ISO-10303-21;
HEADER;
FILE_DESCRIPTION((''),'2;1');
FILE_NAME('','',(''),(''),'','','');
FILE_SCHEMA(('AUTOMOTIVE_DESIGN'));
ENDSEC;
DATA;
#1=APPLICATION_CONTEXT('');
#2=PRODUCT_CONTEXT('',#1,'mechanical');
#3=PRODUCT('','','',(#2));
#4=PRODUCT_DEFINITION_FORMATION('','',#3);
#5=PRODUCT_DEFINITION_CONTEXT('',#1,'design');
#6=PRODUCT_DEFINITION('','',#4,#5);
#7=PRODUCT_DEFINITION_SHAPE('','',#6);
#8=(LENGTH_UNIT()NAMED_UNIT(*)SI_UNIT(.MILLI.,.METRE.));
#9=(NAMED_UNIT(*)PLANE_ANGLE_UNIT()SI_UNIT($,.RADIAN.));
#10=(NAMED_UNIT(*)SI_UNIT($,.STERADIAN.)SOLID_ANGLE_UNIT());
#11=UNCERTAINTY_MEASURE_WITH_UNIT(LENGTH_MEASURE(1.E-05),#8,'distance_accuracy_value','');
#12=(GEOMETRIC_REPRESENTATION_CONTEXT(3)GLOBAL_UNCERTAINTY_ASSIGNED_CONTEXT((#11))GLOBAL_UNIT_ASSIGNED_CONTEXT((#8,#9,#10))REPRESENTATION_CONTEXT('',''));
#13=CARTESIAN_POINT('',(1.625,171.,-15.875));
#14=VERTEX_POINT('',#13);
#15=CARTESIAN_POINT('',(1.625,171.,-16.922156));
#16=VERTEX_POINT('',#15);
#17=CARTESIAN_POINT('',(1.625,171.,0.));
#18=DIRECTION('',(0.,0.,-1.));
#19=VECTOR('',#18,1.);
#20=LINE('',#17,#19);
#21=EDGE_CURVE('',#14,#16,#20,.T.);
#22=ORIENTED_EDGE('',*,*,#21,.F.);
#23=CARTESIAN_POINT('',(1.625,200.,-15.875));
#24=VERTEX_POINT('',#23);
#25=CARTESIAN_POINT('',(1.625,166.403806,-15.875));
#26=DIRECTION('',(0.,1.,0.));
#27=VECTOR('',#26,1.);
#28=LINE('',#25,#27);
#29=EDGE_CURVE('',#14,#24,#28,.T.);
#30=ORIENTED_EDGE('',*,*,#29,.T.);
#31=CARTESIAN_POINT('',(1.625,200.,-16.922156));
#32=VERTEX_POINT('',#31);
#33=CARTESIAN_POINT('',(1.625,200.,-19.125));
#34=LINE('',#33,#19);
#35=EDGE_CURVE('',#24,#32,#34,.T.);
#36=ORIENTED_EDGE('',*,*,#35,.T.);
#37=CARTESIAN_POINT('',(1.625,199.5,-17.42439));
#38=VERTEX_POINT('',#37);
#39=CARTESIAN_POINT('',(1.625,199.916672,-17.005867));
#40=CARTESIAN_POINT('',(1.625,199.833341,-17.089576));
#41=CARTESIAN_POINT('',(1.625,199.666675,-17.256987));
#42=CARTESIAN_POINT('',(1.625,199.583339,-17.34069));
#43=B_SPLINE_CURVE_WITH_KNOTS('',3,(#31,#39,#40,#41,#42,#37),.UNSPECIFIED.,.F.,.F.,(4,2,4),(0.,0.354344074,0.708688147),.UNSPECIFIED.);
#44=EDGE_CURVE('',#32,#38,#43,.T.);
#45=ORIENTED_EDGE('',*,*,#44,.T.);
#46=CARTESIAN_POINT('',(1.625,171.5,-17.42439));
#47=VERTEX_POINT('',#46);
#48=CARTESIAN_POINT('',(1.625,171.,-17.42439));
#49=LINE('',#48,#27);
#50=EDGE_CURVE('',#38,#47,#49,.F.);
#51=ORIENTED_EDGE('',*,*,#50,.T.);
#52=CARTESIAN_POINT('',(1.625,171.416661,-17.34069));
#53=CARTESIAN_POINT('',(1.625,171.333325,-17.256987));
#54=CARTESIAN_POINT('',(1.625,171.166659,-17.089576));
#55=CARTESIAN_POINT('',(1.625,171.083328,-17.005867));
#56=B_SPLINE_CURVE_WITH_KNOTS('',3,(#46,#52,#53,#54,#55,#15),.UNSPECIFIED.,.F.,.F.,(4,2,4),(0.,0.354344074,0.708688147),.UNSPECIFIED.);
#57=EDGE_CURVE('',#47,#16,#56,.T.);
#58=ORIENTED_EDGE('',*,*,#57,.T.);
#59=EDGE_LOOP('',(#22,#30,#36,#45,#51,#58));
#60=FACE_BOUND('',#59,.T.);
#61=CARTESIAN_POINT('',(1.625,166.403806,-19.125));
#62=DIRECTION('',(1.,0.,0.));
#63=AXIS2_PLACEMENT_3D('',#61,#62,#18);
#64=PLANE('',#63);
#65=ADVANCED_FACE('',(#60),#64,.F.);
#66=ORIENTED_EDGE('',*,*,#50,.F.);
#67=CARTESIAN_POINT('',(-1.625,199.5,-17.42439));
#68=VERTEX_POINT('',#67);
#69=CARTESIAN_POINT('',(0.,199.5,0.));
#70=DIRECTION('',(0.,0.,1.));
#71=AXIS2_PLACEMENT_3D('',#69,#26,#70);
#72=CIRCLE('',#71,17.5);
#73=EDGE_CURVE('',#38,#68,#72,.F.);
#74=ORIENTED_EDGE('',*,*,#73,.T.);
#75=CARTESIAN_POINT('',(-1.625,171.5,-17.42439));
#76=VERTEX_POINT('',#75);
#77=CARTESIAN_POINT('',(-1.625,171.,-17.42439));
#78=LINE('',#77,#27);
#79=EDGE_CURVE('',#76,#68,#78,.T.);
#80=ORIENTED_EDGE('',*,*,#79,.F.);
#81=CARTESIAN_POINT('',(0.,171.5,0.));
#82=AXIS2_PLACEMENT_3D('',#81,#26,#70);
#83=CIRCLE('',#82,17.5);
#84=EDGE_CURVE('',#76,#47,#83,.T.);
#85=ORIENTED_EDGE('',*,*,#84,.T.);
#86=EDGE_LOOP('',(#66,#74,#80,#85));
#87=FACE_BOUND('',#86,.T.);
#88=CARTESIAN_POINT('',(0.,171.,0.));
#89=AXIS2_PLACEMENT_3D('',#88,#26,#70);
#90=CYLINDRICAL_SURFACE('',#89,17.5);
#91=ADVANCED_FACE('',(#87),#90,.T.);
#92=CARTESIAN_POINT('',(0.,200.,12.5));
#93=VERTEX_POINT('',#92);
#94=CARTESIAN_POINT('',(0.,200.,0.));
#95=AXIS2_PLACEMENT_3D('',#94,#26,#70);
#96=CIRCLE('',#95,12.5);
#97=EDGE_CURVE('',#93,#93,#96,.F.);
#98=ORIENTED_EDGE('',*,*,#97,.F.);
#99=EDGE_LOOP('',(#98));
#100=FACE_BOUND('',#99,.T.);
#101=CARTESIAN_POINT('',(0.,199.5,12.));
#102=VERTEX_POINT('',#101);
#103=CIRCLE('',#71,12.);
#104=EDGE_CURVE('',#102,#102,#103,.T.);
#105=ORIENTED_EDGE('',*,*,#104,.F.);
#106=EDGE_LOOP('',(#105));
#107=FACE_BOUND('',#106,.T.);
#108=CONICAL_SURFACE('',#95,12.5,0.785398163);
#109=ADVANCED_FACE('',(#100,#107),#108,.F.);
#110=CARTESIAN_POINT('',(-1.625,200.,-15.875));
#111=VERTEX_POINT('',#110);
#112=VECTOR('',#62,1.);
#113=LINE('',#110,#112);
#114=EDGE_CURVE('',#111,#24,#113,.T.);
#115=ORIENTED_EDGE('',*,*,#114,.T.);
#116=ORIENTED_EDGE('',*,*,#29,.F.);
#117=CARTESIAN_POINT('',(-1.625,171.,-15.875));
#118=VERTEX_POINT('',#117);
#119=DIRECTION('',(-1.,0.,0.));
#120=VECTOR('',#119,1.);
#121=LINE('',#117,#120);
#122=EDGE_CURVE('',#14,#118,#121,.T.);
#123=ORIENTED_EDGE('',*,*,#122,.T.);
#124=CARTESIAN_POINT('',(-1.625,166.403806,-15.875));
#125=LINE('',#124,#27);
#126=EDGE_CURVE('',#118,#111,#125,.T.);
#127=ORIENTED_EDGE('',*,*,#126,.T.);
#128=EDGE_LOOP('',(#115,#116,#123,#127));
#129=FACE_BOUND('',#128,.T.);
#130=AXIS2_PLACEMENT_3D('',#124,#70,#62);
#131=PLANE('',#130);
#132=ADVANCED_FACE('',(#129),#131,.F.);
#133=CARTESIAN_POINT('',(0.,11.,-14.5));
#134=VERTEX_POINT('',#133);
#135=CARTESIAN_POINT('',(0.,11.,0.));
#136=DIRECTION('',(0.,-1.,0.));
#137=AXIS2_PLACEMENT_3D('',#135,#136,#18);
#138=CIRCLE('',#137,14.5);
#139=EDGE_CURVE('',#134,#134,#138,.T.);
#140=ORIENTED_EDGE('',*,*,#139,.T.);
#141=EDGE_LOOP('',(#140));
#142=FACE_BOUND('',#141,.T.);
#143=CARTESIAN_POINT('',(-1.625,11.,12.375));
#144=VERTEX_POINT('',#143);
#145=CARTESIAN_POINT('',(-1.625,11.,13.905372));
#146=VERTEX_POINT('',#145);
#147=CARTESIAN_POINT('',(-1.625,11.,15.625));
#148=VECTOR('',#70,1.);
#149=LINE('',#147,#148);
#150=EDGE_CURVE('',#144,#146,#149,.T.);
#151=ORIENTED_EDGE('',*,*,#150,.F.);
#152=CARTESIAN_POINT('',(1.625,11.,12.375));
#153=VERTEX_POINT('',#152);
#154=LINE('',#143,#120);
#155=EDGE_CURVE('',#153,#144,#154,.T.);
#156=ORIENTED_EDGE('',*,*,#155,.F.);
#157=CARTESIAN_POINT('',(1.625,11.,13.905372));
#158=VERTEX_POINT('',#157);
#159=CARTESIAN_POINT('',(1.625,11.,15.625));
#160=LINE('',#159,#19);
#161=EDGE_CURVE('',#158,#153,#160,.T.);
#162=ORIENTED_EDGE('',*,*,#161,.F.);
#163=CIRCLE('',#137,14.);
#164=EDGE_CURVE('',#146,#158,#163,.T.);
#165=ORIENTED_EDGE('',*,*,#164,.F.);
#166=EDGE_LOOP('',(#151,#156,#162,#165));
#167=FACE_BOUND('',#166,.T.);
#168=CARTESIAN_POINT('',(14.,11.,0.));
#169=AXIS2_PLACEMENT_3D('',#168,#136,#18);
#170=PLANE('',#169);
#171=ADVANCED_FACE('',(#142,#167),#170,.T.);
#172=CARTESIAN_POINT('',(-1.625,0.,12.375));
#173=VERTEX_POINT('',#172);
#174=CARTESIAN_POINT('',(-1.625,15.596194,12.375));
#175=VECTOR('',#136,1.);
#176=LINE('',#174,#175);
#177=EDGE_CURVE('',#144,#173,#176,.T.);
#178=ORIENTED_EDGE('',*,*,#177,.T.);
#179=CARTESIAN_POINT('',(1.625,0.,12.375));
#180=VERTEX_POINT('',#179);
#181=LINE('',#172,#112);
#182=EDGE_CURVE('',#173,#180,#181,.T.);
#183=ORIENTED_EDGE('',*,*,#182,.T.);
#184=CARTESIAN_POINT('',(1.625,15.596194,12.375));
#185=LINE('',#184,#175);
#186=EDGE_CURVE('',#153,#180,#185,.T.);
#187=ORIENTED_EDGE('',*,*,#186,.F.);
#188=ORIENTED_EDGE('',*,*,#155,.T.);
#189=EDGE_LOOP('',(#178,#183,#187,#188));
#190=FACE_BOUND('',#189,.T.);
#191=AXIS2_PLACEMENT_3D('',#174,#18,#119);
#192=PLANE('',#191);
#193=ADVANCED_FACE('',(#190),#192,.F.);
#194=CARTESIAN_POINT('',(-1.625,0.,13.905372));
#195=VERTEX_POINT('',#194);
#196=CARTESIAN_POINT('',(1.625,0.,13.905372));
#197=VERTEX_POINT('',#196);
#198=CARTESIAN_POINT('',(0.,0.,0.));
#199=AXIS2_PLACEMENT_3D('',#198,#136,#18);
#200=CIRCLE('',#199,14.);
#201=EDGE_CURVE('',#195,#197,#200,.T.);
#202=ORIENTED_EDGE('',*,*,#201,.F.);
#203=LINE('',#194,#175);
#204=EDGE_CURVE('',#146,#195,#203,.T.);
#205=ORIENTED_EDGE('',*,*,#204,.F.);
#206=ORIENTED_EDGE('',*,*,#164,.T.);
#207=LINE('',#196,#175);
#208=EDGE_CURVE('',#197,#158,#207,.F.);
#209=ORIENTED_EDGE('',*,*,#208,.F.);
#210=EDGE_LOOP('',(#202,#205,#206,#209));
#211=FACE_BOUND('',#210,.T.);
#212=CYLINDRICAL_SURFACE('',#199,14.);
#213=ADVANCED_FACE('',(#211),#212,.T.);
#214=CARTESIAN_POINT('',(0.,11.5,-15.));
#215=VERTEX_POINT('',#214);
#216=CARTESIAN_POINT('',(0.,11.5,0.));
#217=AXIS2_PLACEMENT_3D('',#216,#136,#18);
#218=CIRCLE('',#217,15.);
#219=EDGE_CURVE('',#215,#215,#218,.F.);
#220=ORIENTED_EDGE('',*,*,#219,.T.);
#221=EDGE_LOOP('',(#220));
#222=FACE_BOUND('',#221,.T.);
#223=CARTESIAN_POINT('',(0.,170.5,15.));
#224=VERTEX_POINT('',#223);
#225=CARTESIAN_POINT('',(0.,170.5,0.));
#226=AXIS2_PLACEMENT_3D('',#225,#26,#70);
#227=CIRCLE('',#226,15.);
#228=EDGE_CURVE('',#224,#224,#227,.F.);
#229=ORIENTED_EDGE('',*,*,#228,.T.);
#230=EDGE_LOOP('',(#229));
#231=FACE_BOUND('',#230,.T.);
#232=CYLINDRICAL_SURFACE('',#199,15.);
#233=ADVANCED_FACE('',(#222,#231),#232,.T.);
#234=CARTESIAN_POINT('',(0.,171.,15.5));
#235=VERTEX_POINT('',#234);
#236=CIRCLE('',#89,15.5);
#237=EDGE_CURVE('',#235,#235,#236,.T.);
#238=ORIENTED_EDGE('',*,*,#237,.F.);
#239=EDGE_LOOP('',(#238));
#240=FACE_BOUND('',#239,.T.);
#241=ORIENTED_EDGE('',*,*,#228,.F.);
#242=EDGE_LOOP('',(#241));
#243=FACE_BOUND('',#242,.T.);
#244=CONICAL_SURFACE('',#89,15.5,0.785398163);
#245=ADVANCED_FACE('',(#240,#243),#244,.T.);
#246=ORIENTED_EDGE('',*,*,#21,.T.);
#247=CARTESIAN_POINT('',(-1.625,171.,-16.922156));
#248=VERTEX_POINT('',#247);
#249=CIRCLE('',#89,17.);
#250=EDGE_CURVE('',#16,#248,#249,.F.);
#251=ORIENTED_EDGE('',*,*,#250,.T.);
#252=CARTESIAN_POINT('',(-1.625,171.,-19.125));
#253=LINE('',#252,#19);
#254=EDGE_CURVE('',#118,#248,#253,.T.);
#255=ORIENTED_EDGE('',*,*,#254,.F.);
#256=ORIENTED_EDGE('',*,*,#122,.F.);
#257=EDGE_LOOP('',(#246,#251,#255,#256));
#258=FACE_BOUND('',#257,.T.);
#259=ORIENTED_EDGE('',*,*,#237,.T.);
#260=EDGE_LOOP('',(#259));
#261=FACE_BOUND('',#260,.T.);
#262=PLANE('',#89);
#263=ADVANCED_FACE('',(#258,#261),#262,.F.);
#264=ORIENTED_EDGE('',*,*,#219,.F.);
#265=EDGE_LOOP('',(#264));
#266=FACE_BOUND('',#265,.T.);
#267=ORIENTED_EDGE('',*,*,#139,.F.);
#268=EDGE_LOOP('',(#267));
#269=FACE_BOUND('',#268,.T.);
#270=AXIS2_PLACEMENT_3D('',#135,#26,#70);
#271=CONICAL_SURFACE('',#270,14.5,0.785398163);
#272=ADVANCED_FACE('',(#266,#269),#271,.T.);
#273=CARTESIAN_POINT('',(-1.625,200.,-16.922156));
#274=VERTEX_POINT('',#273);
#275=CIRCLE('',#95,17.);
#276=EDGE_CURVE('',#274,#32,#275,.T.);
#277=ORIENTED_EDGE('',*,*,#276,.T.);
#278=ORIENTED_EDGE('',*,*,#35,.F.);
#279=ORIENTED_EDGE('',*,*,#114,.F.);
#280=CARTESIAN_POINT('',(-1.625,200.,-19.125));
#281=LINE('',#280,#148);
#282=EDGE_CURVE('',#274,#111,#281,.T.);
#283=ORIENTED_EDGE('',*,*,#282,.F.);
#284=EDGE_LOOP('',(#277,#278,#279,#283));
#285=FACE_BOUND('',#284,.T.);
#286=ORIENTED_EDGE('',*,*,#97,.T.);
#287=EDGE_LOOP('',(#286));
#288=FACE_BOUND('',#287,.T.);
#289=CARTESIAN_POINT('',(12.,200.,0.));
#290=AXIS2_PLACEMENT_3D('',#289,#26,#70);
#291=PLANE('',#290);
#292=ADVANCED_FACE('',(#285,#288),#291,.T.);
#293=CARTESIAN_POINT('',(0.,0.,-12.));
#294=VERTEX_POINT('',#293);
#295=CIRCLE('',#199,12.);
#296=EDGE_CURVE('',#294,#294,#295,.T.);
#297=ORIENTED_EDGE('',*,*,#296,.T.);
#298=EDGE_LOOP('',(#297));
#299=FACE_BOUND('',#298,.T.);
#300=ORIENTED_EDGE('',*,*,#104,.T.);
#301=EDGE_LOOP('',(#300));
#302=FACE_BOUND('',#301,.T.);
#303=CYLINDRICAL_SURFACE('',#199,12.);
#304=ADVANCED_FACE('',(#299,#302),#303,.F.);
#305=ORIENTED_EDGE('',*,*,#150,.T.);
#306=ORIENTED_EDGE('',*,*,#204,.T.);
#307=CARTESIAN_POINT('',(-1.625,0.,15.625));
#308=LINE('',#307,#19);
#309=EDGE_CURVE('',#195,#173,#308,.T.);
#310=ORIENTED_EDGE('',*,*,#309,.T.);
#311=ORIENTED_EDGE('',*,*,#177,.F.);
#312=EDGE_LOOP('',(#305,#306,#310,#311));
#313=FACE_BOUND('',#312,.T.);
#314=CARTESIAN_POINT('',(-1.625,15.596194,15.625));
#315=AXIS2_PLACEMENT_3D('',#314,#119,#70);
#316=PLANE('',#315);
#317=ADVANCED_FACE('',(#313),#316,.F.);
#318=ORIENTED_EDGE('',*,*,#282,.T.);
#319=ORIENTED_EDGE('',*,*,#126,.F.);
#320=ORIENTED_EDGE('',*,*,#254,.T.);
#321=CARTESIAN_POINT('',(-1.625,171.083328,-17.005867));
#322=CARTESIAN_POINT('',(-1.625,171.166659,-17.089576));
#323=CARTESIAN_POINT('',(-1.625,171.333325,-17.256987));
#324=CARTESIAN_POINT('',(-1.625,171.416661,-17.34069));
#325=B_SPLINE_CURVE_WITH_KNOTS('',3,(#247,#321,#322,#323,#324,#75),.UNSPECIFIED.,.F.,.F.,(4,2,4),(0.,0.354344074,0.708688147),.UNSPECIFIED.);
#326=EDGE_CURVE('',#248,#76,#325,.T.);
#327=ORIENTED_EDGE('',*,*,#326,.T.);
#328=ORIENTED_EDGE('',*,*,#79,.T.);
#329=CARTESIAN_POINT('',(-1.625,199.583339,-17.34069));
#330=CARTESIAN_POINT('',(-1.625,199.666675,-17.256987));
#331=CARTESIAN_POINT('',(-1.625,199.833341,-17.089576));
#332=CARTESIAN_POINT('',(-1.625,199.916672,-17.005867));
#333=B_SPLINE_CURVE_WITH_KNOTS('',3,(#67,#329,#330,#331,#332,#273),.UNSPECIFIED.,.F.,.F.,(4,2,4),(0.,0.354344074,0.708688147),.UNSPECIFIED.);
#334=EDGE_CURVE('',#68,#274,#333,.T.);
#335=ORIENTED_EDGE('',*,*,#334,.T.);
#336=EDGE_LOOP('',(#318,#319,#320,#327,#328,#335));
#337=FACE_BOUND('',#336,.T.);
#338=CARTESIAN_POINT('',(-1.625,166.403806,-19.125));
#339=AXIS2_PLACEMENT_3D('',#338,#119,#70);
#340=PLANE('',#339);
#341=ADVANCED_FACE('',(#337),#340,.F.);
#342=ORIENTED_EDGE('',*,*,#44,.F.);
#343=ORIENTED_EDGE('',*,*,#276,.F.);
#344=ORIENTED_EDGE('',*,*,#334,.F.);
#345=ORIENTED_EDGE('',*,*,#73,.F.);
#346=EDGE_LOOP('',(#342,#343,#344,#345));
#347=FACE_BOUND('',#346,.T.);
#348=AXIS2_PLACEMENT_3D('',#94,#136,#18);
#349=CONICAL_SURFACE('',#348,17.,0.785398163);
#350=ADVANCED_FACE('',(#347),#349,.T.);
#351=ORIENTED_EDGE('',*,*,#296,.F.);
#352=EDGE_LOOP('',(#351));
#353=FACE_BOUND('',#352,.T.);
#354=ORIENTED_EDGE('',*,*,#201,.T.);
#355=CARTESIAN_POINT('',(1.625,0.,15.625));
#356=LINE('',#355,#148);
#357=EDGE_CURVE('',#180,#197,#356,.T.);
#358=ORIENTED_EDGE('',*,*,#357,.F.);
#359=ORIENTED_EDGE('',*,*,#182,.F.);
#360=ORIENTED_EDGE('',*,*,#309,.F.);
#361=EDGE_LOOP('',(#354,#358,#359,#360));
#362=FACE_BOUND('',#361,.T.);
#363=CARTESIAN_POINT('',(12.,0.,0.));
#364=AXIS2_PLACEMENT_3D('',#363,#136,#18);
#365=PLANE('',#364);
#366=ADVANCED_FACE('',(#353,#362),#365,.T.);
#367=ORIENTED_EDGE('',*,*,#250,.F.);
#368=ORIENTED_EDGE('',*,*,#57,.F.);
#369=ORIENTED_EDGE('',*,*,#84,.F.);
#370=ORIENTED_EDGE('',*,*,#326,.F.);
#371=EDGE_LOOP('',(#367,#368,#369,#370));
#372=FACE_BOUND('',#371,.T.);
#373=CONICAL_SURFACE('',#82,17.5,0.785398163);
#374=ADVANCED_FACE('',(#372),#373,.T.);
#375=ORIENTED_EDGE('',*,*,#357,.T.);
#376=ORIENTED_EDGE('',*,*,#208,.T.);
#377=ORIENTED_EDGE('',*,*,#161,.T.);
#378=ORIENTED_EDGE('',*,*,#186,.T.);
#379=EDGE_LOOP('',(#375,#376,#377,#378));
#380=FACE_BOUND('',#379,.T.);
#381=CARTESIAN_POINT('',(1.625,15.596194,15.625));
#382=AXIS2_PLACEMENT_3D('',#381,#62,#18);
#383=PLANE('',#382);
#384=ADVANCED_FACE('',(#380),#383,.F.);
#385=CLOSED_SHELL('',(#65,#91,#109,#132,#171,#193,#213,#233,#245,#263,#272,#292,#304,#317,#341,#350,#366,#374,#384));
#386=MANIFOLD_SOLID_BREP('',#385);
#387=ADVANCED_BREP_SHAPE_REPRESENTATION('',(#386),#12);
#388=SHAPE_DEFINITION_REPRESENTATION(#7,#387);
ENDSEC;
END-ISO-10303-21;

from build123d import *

# Parameters (mm, degrees)
SKETCH2_W           = 3.25
SKETCH2_H           = 3.25
CUT_EXTRUDE1_DEPTH  = 11
CHAMFER1_SIZE       = 0.5
SKETCH3_R           = 17.5
SKETCH3_R_2         = 15
BOSS_EXTRUDE1_DEPTH = 29
SKETCH4_W           = 3.25
SKETCH4_H           = 3.25
CUT_EXTRUDE2_DEPTH  = 29
CHAMFER2_SIZE       = 0.5


with BuildPart() as part:
    # Sketch1 → Revolve1 (revolve)
    with BuildSketch(Plane.XY, mode=Mode.PRIVATE) as revolve1_sk:
        Polygon((12, 200), (12, 0), (14, 0), (14, 11), (15, 11), (15, 200), align=None)
    revolve(revolve1_sk.sketch.rotate(Axis((0, 0, 0), (0, 1, 0)), 90), axis=Axis((0, 0, 0), (0, 1, 0)))

    # Sketch2 → Cut-Extrude1 (cut)
    with BuildSketch(Plane.XZ):
        with Locations((0, 14)):
            Rectangle(SKETCH2_W, SKETCH2_H)
    extrude(amount=-CUT_EXTRUDE1_DEPTH, mode=Mode.SUBTRACT)

    # Chamfer1
    chamfer1_edges = [part.edges().sort_by_distance(p)[0] for p in [
        (0, 11, 15),
    ]]
    chamfer(chamfer1_edges, length=CHAMFER1_SIZE)

    # Sketch3 → Boss-Extrude1 (add)
    with BuildSketch(Plane(origin=(0, 200, 0), x_dir=(1, 0, 0), z_dir=(0, 1, 0))):
        with Locations(Location((0, 0, 0), (0, 0, 270))):
            Circle(SKETCH3_R)
        with Locations(Location((0, 0, 0), (0, 0, 90))):
            Circle(SKETCH3_R_2, mode=Mode.SUBTRACT)
    extrude(amount=-BOSS_EXTRUDE1_DEPTH)

    # Sketch4 → Cut-Extrude2 (cut)
    with BuildSketch(Plane(origin=(0, 200, 0), x_dir=(1, 0, 0), z_dir=(0, 1, 0))):
        with Locations((0, 17.5)):
            Rectangle(SKETCH4_W, SKETCH4_H)
    extrude(amount=-CUT_EXTRUDE2_DEPTH, mode=Mode.SUBTRACT)

    # Chamfer2
    chamfer2_edges = [part.edges().sort_by_distance(p)[0] for p in [
        (0, 171, 15),
        (-17.481087339, 171, 0.813379038),
        (-17.481087339, 200, 0.813379038),
        (0, 200, 12),
    ]]
    chamfer(chamfer2_edges, length=CHAMFER2_SIZE)


solid = part.part
